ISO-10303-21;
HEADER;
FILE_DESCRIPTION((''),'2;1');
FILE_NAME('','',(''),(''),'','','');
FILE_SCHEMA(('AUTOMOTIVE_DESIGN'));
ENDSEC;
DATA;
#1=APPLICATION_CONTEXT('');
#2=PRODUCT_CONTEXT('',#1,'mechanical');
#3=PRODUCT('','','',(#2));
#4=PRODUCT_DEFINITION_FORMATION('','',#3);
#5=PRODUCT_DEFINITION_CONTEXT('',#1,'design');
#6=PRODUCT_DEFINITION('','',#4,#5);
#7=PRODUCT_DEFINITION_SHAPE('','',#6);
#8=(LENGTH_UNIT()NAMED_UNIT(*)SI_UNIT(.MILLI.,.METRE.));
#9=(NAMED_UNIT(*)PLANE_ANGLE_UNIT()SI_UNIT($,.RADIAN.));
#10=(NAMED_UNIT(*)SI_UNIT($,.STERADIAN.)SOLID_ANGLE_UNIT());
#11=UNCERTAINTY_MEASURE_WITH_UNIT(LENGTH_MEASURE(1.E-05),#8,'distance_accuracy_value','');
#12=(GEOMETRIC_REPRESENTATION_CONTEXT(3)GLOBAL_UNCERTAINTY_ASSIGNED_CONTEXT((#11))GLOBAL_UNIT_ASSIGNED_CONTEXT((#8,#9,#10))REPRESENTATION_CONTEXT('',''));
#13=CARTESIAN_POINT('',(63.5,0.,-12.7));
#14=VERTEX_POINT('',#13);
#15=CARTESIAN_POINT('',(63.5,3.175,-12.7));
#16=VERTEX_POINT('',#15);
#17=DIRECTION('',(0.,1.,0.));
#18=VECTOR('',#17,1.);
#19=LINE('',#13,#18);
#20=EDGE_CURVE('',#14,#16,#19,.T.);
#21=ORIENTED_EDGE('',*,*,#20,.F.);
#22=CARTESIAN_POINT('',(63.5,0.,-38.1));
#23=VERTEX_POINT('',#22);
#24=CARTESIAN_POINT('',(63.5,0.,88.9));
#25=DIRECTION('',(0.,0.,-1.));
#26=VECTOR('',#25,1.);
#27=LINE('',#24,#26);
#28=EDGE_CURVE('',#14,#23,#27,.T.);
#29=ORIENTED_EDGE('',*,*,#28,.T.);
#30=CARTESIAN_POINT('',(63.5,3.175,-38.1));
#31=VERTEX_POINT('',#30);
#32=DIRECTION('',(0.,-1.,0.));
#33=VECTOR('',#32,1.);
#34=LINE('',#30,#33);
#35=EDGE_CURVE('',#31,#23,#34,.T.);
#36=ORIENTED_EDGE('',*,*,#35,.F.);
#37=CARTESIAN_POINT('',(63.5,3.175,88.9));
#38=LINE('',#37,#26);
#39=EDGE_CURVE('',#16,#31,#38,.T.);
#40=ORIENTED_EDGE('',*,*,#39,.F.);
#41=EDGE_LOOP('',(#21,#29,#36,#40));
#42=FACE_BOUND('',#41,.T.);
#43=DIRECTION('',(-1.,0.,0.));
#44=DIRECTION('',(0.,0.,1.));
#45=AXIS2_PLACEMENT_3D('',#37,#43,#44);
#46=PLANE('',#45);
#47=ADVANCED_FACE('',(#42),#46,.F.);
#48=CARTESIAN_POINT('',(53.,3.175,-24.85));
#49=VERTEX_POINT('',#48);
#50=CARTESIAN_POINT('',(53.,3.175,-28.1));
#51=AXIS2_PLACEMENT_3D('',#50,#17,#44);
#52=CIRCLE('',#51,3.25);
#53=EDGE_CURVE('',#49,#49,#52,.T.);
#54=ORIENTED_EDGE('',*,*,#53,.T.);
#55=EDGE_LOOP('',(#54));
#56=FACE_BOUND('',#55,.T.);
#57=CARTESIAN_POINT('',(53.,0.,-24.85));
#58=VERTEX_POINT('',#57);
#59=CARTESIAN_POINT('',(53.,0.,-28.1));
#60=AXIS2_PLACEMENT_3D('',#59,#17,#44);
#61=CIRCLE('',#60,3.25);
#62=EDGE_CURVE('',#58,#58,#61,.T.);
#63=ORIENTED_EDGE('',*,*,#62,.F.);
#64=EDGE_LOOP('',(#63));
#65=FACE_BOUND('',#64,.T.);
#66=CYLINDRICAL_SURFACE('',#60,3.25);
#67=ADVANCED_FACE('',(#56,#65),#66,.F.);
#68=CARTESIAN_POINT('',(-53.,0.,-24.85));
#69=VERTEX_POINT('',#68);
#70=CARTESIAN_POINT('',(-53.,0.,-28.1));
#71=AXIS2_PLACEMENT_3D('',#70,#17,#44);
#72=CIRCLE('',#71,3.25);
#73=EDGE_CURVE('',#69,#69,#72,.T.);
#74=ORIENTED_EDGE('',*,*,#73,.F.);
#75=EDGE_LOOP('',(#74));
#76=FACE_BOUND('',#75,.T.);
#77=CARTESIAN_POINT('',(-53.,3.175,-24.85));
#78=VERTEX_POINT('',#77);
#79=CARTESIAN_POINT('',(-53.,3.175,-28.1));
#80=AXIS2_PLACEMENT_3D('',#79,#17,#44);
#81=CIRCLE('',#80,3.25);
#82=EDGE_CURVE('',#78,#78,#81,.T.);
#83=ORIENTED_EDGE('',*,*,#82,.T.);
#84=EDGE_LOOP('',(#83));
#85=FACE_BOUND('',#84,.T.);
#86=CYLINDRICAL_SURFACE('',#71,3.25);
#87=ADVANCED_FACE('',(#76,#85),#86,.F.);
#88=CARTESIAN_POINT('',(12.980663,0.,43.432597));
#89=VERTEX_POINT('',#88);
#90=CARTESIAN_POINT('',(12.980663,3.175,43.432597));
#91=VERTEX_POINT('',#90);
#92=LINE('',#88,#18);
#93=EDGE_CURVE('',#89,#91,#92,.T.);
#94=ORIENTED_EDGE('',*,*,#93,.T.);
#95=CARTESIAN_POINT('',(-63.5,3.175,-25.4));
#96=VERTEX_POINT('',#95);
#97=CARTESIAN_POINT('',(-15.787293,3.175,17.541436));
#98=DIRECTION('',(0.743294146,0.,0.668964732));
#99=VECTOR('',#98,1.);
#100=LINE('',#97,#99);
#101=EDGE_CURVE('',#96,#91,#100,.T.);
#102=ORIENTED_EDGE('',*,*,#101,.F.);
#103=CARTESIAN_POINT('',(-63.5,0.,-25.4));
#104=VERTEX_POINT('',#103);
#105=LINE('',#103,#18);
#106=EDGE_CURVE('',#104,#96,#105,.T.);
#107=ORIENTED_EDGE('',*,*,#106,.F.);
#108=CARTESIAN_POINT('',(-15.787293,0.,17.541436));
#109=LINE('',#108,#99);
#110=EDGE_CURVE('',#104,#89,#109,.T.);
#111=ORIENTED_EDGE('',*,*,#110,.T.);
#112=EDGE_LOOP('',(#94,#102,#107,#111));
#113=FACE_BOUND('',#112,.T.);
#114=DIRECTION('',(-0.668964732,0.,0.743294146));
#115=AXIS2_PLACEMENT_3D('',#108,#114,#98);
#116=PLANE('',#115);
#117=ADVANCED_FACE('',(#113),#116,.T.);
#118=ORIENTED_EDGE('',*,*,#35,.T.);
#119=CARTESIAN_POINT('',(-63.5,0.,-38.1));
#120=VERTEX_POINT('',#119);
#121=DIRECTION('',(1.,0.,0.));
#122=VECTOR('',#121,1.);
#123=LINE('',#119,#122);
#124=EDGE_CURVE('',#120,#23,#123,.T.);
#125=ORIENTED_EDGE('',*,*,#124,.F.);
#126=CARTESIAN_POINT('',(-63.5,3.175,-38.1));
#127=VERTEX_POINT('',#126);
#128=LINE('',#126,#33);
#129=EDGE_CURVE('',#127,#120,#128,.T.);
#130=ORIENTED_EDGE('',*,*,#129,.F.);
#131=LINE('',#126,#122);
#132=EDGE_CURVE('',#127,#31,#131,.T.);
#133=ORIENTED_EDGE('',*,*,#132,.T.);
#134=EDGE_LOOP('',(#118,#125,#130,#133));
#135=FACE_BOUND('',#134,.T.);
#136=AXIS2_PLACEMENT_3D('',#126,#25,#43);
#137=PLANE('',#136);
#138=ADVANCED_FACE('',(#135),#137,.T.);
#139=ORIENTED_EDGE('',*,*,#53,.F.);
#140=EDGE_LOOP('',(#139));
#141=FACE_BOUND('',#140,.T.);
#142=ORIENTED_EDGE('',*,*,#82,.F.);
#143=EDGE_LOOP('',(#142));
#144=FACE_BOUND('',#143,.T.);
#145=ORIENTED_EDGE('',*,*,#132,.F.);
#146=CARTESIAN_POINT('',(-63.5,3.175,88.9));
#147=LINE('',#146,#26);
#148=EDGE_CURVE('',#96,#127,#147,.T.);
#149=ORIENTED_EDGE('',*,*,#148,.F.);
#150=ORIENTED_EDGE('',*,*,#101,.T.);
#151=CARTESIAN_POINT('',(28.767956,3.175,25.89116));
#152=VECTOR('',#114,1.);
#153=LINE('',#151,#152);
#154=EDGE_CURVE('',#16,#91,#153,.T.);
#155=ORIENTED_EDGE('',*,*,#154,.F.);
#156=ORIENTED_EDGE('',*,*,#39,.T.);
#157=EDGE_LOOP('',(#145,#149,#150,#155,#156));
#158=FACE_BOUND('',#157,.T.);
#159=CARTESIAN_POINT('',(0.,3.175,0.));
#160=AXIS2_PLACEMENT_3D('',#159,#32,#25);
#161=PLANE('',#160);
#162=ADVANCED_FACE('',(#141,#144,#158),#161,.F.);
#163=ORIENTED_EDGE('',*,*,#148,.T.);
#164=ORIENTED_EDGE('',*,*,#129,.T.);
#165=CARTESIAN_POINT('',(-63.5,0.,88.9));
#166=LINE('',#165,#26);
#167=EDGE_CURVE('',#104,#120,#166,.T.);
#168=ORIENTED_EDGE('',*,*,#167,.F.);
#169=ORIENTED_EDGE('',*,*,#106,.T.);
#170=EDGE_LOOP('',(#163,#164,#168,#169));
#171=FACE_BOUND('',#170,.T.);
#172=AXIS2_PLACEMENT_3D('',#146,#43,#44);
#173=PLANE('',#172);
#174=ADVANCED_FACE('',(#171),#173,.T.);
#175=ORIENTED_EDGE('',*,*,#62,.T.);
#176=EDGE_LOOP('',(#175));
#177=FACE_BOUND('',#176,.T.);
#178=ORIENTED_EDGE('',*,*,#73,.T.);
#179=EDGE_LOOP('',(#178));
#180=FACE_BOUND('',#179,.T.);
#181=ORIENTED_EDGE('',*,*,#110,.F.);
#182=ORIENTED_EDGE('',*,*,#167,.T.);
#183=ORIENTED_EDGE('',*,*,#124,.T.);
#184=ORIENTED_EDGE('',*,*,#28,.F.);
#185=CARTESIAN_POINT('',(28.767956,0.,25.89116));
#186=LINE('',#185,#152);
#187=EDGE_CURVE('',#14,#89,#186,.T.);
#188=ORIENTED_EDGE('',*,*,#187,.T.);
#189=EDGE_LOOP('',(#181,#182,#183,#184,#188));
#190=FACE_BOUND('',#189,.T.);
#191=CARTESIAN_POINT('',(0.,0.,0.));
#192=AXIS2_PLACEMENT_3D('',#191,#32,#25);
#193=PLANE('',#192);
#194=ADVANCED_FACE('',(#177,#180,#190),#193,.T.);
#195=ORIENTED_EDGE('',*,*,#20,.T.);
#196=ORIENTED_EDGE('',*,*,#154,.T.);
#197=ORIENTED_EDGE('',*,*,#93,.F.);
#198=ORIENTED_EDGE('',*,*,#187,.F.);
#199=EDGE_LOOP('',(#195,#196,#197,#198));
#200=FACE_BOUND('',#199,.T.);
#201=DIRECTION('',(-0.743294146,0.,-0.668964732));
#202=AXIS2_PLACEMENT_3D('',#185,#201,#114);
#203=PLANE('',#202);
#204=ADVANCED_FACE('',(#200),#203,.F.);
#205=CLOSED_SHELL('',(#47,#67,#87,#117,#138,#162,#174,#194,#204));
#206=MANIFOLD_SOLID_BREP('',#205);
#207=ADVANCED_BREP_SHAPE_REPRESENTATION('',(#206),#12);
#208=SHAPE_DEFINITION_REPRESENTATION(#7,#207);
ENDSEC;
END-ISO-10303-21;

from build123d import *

# Parameters (mm, degrees)
SKETCH1_W           = 127
SKETCH1_H           = 127
BOSS_EXTRUDE1_DEPTH = 3.175
SKETCH2_R           = 3.25
CUT_EXTRUDE1_DEPTH  = 4.175


with BuildPart() as part:
    # Sketch1 → Boss-Extrude1 (new body)
    with BuildSketch(Plane(origin=(0, 0, 0), x_dir=(1, 0, 0), z_dir=(0, 1, 0))):
        with Locations((0, -25.4)):
            Rectangle(SKETCH1_W, SKETCH1_H)
    extrude(amount=BOSS_EXTRUDE1_DEPTH)

    # Sketch2 → Cut-Extrude1 (cut, through all)
    with BuildSketch(Plane(origin=(0, 3.175, 0), x_dir=(1, 0, 0), z_dir=(0, 1, 0))):
        Polygon((12.980662983, -43.432596685), (-63.5, 25.4), (-63.5, -88.9), (63.5, -88.9), (63.5, 12.7), align=None)
        with Locations((53, 28.1)):
            Circle(SKETCH2_R)
        with Locations((-53, 28.1)):
            Circle(SKETCH2_R)
    extrude(amount=-CUT_EXTRUDE1_DEPTH, mode=Mode.SUBTRACT)


solid = part.part
